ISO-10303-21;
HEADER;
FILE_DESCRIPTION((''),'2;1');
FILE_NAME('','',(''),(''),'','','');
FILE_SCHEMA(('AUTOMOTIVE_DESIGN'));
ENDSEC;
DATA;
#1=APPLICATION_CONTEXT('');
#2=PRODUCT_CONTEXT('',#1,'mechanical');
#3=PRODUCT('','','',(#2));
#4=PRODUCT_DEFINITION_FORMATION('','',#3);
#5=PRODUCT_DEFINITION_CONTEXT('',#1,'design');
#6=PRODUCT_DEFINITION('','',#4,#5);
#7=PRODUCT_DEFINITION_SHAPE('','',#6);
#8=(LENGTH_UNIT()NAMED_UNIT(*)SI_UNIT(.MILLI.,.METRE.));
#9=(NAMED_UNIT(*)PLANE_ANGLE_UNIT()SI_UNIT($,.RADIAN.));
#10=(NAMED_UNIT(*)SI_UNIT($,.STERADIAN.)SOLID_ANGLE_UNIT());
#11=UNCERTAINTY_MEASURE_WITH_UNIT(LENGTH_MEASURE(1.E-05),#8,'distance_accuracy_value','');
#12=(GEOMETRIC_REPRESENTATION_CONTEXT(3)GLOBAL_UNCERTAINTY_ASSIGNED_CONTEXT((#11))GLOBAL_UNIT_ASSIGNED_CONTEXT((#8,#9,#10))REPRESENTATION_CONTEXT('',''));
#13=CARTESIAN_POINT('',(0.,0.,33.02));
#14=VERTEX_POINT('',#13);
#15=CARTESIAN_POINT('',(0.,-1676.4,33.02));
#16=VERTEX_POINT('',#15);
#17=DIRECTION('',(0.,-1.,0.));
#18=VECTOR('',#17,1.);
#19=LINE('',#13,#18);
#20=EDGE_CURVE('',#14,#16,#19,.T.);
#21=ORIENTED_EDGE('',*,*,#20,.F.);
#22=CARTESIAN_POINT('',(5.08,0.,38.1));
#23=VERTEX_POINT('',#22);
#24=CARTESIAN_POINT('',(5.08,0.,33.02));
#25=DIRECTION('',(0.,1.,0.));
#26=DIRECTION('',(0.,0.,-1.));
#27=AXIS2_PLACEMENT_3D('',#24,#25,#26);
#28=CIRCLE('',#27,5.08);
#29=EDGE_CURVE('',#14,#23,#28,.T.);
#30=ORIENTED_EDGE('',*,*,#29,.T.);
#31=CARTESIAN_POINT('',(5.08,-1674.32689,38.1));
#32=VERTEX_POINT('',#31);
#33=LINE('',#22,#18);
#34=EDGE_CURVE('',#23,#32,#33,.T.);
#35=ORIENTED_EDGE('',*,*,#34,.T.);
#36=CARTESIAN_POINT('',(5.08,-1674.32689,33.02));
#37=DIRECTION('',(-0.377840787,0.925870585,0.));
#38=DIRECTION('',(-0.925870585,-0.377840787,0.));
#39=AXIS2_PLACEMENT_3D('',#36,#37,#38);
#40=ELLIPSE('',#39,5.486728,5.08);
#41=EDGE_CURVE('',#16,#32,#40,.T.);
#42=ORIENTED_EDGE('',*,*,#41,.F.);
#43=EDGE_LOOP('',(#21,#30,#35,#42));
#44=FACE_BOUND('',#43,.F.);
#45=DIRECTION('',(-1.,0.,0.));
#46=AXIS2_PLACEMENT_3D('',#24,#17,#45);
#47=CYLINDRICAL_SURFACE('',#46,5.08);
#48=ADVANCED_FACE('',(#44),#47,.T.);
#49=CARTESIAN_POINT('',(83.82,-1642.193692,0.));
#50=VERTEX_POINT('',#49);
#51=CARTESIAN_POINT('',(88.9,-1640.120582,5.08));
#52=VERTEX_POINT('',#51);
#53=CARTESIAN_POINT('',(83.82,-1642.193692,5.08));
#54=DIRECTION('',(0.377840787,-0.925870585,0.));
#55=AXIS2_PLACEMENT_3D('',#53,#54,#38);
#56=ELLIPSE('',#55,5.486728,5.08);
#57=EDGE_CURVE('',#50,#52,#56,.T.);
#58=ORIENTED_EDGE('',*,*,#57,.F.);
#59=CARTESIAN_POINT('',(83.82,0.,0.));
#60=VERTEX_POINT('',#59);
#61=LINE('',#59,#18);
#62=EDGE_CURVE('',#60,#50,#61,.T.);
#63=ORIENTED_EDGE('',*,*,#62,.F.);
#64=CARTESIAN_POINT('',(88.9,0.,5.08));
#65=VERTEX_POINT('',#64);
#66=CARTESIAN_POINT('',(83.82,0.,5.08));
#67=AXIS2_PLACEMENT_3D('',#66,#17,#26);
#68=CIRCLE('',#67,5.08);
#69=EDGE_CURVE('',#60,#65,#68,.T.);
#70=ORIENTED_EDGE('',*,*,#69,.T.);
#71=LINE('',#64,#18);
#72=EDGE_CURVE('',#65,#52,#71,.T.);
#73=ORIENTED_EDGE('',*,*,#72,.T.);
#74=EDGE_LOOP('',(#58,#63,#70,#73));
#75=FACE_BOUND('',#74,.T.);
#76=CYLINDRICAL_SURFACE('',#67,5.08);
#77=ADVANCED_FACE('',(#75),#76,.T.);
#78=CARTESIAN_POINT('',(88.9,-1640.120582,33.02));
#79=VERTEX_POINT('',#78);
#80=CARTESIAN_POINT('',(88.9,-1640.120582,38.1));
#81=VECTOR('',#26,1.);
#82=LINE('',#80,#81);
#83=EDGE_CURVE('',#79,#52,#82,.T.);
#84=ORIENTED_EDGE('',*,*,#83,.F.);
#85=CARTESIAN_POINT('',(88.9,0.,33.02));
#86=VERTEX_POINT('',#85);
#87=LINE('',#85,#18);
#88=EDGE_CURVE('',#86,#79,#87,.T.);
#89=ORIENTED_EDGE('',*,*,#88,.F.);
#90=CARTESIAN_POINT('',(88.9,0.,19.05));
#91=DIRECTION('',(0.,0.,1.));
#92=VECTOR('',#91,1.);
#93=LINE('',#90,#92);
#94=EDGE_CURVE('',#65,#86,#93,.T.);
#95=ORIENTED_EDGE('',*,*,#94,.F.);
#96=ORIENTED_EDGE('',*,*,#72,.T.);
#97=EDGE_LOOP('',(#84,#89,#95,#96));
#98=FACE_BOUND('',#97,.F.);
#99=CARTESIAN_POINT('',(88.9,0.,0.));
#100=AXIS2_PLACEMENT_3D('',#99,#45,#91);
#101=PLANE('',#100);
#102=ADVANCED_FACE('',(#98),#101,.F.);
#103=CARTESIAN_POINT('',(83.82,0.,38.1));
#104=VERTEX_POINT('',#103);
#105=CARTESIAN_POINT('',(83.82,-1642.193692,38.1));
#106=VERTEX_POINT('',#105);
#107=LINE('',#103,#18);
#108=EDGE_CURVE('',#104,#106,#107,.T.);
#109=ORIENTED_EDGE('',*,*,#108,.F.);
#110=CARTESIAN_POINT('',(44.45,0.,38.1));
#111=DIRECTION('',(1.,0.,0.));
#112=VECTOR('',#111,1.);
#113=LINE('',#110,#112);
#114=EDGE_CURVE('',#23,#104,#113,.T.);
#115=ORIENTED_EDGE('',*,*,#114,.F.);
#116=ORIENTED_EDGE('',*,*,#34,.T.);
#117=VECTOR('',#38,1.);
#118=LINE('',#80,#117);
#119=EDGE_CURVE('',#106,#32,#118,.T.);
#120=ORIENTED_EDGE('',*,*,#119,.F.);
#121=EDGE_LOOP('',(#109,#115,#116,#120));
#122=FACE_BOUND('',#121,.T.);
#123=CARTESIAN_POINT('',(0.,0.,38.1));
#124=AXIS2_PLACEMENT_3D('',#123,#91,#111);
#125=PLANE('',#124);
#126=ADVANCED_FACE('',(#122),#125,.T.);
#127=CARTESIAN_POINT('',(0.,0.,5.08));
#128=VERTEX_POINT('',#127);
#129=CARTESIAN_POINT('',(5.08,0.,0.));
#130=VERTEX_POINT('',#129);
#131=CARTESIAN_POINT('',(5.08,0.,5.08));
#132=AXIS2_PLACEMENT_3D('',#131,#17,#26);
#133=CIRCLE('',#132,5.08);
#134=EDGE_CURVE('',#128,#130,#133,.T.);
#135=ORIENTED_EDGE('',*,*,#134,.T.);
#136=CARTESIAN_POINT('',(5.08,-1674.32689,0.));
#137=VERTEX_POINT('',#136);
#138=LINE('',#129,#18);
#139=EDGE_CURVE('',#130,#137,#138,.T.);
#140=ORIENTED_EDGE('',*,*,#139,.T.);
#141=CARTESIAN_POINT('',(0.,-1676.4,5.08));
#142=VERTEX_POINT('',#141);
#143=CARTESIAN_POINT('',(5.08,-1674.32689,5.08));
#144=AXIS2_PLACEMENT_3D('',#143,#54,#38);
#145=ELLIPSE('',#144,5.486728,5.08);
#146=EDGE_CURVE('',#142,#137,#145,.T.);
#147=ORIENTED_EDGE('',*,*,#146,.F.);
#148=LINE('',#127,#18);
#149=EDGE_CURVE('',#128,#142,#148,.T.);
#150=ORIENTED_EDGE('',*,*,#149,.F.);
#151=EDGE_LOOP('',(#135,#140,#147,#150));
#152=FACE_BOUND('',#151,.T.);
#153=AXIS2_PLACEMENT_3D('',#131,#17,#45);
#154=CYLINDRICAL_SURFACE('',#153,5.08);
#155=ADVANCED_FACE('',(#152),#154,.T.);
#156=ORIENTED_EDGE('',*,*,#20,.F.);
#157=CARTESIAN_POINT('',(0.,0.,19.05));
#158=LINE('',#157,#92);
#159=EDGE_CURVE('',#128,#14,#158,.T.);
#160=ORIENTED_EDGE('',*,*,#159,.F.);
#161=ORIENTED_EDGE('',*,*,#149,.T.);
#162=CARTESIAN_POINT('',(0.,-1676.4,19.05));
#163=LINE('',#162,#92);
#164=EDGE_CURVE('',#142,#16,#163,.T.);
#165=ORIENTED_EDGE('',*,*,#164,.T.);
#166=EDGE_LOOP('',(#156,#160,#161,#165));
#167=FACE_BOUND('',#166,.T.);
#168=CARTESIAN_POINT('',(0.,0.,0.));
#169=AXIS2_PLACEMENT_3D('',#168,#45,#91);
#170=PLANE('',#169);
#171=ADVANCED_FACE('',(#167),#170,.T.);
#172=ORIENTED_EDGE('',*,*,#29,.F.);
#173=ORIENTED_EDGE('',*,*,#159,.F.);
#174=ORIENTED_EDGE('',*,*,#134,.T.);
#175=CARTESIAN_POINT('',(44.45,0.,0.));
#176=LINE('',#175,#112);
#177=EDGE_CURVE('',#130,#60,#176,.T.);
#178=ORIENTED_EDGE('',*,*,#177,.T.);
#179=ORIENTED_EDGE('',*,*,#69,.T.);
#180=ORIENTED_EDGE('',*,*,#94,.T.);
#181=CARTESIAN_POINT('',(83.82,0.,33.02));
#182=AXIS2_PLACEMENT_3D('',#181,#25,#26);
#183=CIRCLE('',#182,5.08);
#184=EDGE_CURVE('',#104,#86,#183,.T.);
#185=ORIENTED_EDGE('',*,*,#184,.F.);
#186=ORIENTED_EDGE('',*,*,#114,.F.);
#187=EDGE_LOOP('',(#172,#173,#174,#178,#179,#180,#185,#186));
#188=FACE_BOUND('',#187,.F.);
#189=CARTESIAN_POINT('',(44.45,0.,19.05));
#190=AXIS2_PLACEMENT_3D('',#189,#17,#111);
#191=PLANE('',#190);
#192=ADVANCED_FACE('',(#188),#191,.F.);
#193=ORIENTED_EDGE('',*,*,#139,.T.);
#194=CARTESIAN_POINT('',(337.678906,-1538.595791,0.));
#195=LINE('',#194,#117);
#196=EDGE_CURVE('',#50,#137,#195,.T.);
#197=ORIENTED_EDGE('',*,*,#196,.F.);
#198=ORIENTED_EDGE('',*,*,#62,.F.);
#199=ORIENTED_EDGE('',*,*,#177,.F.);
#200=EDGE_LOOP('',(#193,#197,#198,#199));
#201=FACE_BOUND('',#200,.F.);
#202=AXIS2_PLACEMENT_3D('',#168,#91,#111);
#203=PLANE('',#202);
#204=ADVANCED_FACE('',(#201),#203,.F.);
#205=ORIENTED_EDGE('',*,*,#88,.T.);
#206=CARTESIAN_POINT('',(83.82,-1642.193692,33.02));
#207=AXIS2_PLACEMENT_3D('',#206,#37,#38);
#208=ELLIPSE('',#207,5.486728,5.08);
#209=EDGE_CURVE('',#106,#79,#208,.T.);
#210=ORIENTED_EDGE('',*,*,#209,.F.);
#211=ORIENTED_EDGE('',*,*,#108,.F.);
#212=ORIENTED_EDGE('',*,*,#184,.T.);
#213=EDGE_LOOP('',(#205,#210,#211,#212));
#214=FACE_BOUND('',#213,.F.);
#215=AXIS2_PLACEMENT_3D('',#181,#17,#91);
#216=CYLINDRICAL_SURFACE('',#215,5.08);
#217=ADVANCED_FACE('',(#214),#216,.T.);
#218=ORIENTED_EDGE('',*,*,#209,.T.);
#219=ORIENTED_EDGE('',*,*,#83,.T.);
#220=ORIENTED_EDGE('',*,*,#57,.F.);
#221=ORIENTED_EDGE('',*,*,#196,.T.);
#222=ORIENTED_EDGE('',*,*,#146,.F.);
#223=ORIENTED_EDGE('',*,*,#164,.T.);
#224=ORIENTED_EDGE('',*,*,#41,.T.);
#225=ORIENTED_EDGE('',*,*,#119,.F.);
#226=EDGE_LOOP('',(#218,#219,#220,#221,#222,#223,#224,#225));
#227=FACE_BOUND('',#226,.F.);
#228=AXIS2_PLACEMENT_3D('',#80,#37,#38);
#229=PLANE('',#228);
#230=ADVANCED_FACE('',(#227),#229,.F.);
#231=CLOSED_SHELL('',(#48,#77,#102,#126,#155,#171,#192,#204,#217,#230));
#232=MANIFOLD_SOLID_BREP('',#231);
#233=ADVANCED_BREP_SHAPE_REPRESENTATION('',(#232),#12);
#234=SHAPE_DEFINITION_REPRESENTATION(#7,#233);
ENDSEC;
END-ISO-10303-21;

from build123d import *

# Parameters (mm, degrees)
F0_W     = 88.9
F0_H     = 38.1
F1_DEPTH = 1676.4
F3_DEPTH = 84.074
F4_R     = 5.08


with BuildPart() as f1:
    # F0 (on Front) → F1 (new body)
    with BuildSketch(Plane.XZ):
        with Locations((44.45, 19.05)):
            Rectangle(F0_W, F0_H)
    extrude(amount=F1_DEPTH)

    # F2 (on face) → F3 (cut)
    with BuildSketch(Plane.XY.offset(38.1)):
        Polygon((88.9, -1640.120582), (0, -1676.4), (88.9, -1676.4), align=None)
    extrude(amount=-F3_DEPTH, mode=Mode.SUBTRACT)

    # F4
    f4_edges = [f1.edges().sort_by_distance(p)[0] for p in [
        (0, -838.2, 38.1),
        (88.9, -820.060291, 38.1),
        (0, -838.2, 0),
        (88.9, -820.060291, 0),
    ]]
    fillet(f4_edges, radius=F4_R)


solid = f1.part
